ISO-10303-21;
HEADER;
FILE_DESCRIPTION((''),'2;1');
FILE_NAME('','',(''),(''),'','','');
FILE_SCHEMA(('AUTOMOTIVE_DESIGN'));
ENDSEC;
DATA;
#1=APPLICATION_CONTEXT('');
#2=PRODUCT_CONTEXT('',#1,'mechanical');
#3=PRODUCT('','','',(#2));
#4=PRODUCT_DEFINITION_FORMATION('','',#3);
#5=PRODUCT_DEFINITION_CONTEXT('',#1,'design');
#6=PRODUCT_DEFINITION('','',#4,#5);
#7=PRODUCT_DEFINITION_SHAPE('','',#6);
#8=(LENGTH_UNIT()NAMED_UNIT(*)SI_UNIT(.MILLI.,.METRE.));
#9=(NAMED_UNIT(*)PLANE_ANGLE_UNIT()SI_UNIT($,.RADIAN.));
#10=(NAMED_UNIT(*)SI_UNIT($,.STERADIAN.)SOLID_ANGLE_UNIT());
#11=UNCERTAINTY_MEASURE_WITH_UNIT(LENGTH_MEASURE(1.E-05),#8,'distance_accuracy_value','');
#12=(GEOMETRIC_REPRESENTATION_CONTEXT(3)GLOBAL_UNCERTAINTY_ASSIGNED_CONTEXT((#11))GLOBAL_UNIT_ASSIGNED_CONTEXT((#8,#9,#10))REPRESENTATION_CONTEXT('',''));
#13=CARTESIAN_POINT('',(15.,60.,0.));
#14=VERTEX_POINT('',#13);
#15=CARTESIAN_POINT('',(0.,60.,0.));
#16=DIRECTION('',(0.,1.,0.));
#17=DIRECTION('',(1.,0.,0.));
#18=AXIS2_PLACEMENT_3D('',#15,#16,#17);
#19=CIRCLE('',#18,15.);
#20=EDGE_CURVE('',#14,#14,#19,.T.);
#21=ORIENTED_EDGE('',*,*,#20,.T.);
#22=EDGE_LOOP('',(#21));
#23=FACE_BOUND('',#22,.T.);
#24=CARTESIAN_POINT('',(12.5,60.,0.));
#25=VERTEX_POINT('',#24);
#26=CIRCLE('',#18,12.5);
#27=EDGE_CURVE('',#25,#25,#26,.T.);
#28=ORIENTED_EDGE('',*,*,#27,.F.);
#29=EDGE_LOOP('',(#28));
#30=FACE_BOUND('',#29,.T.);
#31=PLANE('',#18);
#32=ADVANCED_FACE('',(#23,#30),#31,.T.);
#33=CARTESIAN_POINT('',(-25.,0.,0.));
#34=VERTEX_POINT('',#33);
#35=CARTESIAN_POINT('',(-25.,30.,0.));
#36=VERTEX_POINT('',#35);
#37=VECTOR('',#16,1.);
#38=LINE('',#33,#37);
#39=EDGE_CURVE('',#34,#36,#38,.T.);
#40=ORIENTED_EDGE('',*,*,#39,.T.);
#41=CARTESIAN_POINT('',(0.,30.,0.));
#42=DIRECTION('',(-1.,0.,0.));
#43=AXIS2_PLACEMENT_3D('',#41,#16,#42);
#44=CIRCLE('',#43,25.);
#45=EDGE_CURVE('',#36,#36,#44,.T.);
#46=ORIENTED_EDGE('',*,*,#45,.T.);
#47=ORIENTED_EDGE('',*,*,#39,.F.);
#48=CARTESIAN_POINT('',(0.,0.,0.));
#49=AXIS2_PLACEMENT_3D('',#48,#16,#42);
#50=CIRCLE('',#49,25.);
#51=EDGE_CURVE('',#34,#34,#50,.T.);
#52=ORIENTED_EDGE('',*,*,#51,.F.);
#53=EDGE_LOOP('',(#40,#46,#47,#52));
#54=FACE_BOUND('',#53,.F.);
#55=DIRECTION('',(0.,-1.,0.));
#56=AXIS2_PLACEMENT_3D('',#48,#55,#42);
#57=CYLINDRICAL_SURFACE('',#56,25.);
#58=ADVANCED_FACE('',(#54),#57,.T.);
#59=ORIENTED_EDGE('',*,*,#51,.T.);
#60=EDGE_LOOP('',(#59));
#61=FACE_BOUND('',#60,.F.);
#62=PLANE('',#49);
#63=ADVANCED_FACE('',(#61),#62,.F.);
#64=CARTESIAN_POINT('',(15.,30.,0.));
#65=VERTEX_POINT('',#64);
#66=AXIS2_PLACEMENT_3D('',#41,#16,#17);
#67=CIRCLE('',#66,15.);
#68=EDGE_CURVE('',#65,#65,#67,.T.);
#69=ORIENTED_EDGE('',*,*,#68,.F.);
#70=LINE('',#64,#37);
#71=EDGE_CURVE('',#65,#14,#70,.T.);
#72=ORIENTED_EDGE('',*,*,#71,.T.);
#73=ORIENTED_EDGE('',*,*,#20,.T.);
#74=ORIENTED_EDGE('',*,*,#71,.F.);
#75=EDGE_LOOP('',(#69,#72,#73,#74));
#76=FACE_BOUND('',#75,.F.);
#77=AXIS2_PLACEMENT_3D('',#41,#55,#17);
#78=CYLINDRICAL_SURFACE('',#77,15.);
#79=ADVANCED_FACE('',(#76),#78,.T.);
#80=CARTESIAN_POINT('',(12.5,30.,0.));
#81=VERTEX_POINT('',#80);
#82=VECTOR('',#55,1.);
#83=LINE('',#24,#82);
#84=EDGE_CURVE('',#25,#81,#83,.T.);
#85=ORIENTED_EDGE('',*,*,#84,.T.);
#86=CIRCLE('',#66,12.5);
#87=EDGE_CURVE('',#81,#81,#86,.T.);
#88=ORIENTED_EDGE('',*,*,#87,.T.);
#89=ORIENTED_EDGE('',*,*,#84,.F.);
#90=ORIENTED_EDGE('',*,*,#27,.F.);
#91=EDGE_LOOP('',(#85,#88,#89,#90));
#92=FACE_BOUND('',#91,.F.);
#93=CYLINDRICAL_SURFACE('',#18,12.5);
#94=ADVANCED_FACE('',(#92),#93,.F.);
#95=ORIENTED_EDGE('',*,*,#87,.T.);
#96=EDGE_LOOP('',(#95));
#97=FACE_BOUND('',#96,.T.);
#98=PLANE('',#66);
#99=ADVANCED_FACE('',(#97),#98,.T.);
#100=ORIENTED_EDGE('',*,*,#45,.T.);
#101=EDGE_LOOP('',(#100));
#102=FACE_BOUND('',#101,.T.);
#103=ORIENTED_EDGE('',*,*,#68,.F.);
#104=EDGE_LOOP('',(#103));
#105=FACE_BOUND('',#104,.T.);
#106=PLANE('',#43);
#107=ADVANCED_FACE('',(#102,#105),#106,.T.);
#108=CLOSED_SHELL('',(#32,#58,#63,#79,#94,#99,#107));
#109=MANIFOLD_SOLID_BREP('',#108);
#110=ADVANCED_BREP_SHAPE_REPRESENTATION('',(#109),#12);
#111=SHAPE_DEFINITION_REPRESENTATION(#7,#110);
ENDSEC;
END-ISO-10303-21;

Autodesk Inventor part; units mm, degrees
ref_plane "YZ Plane" through (0, 0, 0) normal (1, 0, 0) x (0, 1, 0)
ref_plane "XZ Plane" through (0, 0, 0) normal (0, 1, 0) x (-1, 0, 0)
ref_plane "XY Plane" through (0, 0, 0) normal (0, 0, 1) x (1, 0, 0)
sketch "Sketch30" plane through (0, 0, 0) normal (0, 1, 0) x (-1, 0, 0)
  circle A0 centre (0, 0) radius 25
  dimension "d117" = 50
extrude "Extrusion21" add sketch "Sketch30" along normal blind 30
sketch "Sketch31" plane through (0, 30, 0) normal (0, 1, 0) x (1, 0, 0)
  circle A0 centre (0, 0) radius 15
  dimension "d120" = 30
extrude "Extrusion22" add sketch "Sketch31" along normal blind 30
sketch "Sketch32" plane through (0, 60, 0) normal (0, 1, 0) x (1, 0, 0)
  circle A0 centre (0, 0) radius 15
  circle A1 centre (0, 0) radius 12.5
  dimension "d123" = 25
extrude "Extrusion23" cut sketch "Sketch32" against normal blind 30 contours A1
sketch "Sketch33" plane through (0, 0, 0) normal (0, -1, 0) x (1, 0, 0)
  point P0 (0, 0)
properties part number "Front_base"
